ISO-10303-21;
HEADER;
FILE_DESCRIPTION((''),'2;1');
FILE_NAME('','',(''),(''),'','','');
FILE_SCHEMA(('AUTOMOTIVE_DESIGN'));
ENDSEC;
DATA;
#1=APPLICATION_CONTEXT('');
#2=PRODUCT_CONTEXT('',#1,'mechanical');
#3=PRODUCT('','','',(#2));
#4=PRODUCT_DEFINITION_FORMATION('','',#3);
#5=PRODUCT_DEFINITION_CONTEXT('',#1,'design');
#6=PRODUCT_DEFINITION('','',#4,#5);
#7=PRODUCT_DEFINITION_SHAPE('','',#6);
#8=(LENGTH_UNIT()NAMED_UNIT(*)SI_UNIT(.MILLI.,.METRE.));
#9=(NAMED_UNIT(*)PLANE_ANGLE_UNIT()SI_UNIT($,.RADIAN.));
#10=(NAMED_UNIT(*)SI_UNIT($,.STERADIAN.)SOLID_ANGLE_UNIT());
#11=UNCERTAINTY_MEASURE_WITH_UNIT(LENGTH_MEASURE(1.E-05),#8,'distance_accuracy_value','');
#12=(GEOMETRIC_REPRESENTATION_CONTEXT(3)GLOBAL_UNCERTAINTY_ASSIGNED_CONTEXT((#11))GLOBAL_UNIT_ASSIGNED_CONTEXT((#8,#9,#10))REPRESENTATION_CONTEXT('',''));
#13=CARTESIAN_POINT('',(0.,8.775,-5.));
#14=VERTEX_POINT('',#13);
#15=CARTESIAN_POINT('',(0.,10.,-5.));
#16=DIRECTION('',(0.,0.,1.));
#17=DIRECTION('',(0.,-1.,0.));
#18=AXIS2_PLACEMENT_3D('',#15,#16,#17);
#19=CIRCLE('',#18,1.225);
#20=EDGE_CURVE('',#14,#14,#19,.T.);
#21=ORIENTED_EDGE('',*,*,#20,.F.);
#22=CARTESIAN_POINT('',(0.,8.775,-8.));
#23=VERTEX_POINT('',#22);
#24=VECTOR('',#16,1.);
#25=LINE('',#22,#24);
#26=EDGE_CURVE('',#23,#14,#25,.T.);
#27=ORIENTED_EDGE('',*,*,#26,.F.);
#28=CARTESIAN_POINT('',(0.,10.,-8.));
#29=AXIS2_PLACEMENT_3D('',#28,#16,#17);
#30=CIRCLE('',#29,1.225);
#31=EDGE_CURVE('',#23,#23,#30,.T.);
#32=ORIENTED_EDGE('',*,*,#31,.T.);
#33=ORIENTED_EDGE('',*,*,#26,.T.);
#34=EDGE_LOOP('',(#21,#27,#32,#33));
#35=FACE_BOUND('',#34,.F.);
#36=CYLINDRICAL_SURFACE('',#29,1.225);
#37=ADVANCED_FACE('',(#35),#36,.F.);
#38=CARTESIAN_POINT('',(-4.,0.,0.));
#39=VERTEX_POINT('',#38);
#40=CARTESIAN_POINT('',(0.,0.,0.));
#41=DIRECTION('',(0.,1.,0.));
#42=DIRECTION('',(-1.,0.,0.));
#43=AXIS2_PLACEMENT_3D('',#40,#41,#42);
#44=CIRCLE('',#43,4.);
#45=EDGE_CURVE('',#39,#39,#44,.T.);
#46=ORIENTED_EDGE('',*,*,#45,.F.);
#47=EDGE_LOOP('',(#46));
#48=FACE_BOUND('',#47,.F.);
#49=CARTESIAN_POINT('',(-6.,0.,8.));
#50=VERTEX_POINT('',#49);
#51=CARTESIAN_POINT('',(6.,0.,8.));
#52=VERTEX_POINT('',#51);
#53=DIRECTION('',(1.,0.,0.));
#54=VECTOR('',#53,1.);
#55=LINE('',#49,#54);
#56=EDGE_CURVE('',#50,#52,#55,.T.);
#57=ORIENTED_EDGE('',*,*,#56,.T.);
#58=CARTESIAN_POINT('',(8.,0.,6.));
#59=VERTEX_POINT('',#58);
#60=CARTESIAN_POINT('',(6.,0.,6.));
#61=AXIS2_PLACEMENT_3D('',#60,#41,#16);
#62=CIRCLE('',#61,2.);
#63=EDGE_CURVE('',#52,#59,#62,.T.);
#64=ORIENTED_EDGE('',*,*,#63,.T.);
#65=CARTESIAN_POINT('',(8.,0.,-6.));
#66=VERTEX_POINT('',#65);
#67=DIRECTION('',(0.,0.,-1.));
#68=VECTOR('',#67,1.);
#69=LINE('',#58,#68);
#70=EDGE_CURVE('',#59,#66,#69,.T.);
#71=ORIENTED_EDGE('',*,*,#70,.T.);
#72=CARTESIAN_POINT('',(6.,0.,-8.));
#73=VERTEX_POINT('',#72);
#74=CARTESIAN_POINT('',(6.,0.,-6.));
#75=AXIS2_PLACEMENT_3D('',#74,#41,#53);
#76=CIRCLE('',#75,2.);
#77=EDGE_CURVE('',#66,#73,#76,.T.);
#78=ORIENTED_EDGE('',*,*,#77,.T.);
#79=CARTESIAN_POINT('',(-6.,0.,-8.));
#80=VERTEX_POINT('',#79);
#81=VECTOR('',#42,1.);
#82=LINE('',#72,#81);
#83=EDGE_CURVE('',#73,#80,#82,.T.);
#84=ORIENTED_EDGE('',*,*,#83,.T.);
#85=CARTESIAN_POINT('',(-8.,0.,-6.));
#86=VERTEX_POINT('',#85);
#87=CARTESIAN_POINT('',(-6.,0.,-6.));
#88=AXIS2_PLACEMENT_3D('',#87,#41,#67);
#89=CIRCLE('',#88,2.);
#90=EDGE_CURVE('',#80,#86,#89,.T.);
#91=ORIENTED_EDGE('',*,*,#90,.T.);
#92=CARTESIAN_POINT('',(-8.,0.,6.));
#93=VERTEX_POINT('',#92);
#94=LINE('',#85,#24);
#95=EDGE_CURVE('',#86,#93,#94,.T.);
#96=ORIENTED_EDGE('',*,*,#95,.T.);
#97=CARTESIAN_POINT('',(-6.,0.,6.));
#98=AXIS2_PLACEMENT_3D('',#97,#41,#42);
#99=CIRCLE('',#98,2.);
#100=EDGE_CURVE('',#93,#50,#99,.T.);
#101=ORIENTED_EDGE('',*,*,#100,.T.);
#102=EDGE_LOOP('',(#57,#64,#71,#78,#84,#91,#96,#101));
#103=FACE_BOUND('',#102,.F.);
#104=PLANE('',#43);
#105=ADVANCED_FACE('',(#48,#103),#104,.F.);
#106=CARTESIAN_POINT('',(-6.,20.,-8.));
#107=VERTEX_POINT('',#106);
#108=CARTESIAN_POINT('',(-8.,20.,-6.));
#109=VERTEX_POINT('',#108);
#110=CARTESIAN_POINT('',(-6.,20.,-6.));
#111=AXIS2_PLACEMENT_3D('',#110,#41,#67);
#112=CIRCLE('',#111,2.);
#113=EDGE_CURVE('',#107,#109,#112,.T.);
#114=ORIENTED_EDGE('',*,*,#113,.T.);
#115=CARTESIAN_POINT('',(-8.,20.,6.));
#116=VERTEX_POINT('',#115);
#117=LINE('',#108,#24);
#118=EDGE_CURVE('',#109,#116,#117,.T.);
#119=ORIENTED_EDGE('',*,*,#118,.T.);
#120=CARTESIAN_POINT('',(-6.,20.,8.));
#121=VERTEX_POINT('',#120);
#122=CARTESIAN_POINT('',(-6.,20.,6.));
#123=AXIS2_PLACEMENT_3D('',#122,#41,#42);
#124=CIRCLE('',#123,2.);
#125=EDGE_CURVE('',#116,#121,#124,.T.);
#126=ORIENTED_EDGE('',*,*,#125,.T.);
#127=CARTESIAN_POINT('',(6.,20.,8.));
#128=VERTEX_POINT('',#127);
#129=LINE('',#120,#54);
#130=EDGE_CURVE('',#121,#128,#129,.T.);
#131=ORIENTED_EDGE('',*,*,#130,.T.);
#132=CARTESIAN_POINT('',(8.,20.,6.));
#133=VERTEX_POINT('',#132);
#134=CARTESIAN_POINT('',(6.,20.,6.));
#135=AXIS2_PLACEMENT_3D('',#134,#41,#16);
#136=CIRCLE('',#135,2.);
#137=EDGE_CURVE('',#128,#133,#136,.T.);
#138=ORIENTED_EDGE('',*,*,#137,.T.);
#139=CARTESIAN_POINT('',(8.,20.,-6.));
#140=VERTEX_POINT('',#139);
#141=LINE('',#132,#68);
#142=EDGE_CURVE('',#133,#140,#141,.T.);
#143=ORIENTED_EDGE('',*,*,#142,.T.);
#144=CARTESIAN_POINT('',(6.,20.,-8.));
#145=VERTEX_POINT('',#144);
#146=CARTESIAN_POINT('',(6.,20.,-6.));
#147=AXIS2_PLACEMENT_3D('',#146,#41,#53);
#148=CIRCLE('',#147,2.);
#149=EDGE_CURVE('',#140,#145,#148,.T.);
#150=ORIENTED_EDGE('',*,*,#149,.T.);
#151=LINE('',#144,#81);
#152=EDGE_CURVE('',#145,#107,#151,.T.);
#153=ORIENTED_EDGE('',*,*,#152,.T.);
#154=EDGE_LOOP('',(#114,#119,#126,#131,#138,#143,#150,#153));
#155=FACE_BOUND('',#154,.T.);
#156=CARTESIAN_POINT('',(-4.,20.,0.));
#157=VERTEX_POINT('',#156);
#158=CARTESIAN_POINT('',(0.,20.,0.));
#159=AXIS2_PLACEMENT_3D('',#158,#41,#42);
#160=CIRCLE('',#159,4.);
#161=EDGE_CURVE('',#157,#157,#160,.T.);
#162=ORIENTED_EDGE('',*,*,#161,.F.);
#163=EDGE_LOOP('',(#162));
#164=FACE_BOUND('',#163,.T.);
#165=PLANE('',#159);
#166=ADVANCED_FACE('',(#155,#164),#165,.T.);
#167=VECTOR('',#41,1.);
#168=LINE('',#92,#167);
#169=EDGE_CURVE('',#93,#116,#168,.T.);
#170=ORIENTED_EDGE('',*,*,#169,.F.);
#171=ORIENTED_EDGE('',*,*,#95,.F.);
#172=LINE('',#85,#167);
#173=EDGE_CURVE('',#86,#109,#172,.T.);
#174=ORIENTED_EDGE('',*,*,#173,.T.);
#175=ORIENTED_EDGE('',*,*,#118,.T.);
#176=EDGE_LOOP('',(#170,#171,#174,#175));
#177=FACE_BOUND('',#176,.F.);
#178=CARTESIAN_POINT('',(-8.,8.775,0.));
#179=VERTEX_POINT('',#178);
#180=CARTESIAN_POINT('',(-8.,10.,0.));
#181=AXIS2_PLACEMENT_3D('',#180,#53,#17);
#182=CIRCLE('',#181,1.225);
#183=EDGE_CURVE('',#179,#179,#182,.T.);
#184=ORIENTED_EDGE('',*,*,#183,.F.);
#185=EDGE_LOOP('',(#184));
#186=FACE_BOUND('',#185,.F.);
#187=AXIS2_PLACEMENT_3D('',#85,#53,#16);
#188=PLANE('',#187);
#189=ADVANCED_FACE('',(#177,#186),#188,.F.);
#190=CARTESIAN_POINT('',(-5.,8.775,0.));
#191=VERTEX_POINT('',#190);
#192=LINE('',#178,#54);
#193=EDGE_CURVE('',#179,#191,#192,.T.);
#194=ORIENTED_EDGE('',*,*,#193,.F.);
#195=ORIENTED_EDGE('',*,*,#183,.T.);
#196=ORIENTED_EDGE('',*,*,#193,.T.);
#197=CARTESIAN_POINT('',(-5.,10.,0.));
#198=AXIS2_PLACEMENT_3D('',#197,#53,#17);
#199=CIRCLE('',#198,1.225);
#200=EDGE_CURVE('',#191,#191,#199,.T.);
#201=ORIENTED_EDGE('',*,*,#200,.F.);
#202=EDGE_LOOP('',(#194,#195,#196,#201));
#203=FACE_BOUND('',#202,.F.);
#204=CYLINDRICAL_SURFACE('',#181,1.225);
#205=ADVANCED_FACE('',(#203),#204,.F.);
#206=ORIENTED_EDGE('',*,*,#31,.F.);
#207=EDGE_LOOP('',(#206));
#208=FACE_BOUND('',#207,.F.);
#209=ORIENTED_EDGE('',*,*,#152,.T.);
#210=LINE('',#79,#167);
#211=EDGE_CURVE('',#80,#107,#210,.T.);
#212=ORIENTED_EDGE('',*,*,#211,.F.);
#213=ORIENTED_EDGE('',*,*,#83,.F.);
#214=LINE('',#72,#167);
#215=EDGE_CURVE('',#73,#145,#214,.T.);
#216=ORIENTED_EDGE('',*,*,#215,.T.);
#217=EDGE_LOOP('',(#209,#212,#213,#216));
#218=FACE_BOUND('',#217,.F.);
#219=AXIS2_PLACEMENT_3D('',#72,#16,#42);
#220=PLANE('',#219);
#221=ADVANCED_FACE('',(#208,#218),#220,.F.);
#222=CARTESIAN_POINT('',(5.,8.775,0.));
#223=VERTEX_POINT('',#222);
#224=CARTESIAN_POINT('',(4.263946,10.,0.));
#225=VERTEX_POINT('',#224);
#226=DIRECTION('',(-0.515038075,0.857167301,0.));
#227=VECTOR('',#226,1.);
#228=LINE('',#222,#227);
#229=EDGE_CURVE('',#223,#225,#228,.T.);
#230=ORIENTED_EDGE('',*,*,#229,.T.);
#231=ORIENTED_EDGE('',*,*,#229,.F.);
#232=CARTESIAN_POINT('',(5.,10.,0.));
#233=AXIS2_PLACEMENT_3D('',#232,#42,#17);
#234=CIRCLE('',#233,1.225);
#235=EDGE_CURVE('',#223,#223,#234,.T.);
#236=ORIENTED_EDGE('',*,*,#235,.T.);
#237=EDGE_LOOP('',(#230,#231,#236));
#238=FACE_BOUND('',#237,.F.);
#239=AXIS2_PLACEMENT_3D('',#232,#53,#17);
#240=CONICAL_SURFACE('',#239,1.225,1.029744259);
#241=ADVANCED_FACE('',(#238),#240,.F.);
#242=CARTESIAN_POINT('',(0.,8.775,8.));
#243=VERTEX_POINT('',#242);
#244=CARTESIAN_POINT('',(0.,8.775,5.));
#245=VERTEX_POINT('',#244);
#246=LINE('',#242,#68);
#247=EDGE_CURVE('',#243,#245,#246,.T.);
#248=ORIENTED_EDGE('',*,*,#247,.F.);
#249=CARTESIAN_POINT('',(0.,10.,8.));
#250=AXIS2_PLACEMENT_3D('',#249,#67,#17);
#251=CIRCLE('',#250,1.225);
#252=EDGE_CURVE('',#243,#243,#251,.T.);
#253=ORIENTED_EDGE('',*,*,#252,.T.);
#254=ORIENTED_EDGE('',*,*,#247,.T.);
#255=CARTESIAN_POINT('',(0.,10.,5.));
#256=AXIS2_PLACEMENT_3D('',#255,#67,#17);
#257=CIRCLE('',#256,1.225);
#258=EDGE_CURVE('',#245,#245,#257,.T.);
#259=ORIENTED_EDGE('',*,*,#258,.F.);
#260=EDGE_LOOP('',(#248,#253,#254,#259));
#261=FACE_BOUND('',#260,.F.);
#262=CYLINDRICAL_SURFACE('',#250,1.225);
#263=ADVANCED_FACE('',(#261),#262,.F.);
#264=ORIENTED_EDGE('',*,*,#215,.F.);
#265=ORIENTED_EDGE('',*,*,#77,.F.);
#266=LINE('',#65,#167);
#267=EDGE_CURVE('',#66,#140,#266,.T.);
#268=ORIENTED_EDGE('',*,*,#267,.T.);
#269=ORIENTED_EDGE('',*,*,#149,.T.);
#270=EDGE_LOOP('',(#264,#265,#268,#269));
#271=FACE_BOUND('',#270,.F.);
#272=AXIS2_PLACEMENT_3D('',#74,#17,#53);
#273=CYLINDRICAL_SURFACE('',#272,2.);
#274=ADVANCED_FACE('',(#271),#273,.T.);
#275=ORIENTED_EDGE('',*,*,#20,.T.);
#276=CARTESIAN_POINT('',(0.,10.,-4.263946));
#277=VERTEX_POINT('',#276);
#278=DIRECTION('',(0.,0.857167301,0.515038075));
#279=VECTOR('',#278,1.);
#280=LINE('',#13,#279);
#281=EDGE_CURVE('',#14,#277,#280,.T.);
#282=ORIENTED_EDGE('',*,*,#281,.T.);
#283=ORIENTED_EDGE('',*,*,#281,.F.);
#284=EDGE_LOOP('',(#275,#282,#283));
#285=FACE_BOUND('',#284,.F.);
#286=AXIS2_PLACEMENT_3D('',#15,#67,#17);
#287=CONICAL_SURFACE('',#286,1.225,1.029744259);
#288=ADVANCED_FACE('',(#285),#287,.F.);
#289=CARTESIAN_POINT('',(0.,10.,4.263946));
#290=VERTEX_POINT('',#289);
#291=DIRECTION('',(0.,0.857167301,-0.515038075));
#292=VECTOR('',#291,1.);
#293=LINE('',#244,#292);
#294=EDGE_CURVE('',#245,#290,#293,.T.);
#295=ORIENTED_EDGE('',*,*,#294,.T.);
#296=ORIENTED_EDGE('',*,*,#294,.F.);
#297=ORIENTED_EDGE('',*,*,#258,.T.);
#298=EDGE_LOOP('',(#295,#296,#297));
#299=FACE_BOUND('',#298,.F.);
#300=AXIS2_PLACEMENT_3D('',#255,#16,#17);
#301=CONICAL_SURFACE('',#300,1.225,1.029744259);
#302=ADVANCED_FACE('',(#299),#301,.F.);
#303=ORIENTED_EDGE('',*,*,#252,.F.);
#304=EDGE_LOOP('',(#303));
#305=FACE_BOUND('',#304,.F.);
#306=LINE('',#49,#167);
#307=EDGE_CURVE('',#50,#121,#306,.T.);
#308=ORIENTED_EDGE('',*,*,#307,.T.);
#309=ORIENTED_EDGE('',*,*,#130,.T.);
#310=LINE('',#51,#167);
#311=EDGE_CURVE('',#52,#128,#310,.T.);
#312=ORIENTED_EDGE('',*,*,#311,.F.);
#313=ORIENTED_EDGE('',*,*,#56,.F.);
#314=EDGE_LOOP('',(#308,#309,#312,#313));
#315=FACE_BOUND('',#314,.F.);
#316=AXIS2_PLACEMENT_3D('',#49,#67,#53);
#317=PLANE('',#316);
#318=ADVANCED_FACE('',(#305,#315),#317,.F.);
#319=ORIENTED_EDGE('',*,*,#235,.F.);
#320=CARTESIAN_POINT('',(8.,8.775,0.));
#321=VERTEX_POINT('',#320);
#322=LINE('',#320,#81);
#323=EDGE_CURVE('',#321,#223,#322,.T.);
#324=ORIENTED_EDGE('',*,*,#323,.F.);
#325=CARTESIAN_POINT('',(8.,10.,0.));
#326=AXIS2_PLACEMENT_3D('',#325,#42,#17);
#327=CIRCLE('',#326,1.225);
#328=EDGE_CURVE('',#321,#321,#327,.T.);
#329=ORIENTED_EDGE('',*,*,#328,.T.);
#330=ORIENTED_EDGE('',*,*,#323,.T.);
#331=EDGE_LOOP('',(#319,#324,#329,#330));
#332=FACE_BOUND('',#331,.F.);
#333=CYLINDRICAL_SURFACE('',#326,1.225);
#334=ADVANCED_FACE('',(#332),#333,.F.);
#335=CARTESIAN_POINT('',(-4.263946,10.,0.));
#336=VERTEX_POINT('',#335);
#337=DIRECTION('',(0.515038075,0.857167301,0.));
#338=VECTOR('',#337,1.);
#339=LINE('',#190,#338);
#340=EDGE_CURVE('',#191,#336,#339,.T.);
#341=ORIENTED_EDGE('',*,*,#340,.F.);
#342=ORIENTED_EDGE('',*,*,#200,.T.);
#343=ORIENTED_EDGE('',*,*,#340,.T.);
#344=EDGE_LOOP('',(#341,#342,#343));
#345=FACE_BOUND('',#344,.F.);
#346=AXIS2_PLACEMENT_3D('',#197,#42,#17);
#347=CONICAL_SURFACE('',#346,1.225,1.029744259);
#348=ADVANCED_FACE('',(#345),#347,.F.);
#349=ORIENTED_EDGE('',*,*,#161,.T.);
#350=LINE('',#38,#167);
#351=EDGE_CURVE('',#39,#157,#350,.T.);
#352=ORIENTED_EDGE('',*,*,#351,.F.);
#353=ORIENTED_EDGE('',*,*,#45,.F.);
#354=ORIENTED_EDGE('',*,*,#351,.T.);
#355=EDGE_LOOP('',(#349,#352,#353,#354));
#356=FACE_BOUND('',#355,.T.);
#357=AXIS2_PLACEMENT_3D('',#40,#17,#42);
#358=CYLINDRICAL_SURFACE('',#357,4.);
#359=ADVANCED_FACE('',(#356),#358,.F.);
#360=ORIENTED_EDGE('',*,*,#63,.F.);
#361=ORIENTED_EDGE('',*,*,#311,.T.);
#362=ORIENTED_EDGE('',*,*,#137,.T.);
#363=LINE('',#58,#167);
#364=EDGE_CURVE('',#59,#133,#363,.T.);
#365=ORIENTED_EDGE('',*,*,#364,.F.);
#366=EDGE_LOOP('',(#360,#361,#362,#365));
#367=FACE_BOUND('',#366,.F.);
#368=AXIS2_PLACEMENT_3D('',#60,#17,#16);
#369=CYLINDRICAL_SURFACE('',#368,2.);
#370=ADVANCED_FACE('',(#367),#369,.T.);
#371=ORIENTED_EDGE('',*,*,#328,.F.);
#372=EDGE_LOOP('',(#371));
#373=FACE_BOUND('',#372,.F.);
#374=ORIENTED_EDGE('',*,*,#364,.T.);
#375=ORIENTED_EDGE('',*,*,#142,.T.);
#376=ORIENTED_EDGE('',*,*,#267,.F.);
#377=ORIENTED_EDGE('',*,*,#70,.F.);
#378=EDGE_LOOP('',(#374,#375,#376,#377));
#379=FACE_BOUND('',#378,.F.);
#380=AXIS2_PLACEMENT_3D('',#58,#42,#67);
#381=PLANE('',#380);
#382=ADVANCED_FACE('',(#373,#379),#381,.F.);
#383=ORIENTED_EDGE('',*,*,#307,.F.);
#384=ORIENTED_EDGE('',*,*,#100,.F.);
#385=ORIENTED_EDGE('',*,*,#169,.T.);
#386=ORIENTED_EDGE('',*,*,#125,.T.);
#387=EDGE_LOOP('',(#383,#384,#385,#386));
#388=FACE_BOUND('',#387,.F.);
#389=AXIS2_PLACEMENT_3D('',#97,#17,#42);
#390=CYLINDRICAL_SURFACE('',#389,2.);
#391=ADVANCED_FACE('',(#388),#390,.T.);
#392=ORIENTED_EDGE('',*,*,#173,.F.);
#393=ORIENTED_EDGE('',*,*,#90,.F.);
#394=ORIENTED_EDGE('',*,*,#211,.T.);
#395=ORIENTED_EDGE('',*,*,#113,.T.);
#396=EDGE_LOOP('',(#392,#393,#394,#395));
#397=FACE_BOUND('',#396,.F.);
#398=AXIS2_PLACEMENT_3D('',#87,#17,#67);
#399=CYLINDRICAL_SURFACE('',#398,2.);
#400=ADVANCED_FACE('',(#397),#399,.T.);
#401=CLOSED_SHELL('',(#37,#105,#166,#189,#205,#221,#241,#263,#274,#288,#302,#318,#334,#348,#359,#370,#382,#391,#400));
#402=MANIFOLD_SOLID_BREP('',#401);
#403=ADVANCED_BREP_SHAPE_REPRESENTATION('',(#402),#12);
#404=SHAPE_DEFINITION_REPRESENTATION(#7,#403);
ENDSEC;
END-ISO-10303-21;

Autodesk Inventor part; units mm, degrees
ref_plane "YZ Plane" through (0, 0, 0) normal (1, 0, 0) x (0, 1, 0)
ref_plane "XZ Plane" through (0, 0, 0) normal (0, 1, 0) x (-1, 0, 0)
ref_plane "XY Plane" through (0, 0, 0) normal (0, 0, 1) x (1, 0, 0)
sketch "Sketch1" plane through (0, 0, 0) normal (0, 1, 0) x (-1, 0, 0)
  circle A0 centre (0, 0) radius 4
  line L0 (6, 8) -> (-6, 8)
  line L1 (-8, 6) -> (-8, -6)
  line L2 (-6, -8) -> (6, -8)
  line L3 (8, -6) -> (8, 6)
  line L4 (8, 8) -> (-8, -8) construction
  line L5 (-8, 8) -> (8, -8) construction
  arc A1 (8, 6) -> (6, 8) centre (6, 6) ccw
  arc A2 (6, -8) -> (8, -6) centre (6, -6) ccw
  arc A3 (-8, -6) -> (-6, -8) centre (-6, -6) ccw
  arc A4 (-6, 8) -> (-8, 6) centre (-6, 6) ccw
  dimension "d0" = 8
  dimension "d1" = 16
  dimension "d2" = 16
  dimension "d5" = 2
extrude "Extrusion1" add sketch "Sketch1" along normal blind 20
sketch "Sketch2" plane through (-6, 0, 8) normal (0, 0, 1) x (1, 0, 0)
  line L0 (0, 0) -> (12, 0) projected
  line L1 (12, 0) -> (12, 20) projected
  line L2 (0, 20) -> (12, 20) projected
  line L3 (0, 0) -> (0, 20) projected
  point P0 (6, 0)
  point P1 (6, 10)
  dimension "d6" = 6
hole "Hole1" at (0, 10, 8) direction (0, 0, -1) diameter 2.45 depth 3 tip angle 118
pattern_circular "Circular Pattern1" count 4 over 360 about axis through (0, -10, 0) along (0, 1, 0) of "Hole1"
thread "Thread1" size "M8x1.25" class "6H" standard "ANSI Metric M Profile" full length
properties part number "leadscrew"
